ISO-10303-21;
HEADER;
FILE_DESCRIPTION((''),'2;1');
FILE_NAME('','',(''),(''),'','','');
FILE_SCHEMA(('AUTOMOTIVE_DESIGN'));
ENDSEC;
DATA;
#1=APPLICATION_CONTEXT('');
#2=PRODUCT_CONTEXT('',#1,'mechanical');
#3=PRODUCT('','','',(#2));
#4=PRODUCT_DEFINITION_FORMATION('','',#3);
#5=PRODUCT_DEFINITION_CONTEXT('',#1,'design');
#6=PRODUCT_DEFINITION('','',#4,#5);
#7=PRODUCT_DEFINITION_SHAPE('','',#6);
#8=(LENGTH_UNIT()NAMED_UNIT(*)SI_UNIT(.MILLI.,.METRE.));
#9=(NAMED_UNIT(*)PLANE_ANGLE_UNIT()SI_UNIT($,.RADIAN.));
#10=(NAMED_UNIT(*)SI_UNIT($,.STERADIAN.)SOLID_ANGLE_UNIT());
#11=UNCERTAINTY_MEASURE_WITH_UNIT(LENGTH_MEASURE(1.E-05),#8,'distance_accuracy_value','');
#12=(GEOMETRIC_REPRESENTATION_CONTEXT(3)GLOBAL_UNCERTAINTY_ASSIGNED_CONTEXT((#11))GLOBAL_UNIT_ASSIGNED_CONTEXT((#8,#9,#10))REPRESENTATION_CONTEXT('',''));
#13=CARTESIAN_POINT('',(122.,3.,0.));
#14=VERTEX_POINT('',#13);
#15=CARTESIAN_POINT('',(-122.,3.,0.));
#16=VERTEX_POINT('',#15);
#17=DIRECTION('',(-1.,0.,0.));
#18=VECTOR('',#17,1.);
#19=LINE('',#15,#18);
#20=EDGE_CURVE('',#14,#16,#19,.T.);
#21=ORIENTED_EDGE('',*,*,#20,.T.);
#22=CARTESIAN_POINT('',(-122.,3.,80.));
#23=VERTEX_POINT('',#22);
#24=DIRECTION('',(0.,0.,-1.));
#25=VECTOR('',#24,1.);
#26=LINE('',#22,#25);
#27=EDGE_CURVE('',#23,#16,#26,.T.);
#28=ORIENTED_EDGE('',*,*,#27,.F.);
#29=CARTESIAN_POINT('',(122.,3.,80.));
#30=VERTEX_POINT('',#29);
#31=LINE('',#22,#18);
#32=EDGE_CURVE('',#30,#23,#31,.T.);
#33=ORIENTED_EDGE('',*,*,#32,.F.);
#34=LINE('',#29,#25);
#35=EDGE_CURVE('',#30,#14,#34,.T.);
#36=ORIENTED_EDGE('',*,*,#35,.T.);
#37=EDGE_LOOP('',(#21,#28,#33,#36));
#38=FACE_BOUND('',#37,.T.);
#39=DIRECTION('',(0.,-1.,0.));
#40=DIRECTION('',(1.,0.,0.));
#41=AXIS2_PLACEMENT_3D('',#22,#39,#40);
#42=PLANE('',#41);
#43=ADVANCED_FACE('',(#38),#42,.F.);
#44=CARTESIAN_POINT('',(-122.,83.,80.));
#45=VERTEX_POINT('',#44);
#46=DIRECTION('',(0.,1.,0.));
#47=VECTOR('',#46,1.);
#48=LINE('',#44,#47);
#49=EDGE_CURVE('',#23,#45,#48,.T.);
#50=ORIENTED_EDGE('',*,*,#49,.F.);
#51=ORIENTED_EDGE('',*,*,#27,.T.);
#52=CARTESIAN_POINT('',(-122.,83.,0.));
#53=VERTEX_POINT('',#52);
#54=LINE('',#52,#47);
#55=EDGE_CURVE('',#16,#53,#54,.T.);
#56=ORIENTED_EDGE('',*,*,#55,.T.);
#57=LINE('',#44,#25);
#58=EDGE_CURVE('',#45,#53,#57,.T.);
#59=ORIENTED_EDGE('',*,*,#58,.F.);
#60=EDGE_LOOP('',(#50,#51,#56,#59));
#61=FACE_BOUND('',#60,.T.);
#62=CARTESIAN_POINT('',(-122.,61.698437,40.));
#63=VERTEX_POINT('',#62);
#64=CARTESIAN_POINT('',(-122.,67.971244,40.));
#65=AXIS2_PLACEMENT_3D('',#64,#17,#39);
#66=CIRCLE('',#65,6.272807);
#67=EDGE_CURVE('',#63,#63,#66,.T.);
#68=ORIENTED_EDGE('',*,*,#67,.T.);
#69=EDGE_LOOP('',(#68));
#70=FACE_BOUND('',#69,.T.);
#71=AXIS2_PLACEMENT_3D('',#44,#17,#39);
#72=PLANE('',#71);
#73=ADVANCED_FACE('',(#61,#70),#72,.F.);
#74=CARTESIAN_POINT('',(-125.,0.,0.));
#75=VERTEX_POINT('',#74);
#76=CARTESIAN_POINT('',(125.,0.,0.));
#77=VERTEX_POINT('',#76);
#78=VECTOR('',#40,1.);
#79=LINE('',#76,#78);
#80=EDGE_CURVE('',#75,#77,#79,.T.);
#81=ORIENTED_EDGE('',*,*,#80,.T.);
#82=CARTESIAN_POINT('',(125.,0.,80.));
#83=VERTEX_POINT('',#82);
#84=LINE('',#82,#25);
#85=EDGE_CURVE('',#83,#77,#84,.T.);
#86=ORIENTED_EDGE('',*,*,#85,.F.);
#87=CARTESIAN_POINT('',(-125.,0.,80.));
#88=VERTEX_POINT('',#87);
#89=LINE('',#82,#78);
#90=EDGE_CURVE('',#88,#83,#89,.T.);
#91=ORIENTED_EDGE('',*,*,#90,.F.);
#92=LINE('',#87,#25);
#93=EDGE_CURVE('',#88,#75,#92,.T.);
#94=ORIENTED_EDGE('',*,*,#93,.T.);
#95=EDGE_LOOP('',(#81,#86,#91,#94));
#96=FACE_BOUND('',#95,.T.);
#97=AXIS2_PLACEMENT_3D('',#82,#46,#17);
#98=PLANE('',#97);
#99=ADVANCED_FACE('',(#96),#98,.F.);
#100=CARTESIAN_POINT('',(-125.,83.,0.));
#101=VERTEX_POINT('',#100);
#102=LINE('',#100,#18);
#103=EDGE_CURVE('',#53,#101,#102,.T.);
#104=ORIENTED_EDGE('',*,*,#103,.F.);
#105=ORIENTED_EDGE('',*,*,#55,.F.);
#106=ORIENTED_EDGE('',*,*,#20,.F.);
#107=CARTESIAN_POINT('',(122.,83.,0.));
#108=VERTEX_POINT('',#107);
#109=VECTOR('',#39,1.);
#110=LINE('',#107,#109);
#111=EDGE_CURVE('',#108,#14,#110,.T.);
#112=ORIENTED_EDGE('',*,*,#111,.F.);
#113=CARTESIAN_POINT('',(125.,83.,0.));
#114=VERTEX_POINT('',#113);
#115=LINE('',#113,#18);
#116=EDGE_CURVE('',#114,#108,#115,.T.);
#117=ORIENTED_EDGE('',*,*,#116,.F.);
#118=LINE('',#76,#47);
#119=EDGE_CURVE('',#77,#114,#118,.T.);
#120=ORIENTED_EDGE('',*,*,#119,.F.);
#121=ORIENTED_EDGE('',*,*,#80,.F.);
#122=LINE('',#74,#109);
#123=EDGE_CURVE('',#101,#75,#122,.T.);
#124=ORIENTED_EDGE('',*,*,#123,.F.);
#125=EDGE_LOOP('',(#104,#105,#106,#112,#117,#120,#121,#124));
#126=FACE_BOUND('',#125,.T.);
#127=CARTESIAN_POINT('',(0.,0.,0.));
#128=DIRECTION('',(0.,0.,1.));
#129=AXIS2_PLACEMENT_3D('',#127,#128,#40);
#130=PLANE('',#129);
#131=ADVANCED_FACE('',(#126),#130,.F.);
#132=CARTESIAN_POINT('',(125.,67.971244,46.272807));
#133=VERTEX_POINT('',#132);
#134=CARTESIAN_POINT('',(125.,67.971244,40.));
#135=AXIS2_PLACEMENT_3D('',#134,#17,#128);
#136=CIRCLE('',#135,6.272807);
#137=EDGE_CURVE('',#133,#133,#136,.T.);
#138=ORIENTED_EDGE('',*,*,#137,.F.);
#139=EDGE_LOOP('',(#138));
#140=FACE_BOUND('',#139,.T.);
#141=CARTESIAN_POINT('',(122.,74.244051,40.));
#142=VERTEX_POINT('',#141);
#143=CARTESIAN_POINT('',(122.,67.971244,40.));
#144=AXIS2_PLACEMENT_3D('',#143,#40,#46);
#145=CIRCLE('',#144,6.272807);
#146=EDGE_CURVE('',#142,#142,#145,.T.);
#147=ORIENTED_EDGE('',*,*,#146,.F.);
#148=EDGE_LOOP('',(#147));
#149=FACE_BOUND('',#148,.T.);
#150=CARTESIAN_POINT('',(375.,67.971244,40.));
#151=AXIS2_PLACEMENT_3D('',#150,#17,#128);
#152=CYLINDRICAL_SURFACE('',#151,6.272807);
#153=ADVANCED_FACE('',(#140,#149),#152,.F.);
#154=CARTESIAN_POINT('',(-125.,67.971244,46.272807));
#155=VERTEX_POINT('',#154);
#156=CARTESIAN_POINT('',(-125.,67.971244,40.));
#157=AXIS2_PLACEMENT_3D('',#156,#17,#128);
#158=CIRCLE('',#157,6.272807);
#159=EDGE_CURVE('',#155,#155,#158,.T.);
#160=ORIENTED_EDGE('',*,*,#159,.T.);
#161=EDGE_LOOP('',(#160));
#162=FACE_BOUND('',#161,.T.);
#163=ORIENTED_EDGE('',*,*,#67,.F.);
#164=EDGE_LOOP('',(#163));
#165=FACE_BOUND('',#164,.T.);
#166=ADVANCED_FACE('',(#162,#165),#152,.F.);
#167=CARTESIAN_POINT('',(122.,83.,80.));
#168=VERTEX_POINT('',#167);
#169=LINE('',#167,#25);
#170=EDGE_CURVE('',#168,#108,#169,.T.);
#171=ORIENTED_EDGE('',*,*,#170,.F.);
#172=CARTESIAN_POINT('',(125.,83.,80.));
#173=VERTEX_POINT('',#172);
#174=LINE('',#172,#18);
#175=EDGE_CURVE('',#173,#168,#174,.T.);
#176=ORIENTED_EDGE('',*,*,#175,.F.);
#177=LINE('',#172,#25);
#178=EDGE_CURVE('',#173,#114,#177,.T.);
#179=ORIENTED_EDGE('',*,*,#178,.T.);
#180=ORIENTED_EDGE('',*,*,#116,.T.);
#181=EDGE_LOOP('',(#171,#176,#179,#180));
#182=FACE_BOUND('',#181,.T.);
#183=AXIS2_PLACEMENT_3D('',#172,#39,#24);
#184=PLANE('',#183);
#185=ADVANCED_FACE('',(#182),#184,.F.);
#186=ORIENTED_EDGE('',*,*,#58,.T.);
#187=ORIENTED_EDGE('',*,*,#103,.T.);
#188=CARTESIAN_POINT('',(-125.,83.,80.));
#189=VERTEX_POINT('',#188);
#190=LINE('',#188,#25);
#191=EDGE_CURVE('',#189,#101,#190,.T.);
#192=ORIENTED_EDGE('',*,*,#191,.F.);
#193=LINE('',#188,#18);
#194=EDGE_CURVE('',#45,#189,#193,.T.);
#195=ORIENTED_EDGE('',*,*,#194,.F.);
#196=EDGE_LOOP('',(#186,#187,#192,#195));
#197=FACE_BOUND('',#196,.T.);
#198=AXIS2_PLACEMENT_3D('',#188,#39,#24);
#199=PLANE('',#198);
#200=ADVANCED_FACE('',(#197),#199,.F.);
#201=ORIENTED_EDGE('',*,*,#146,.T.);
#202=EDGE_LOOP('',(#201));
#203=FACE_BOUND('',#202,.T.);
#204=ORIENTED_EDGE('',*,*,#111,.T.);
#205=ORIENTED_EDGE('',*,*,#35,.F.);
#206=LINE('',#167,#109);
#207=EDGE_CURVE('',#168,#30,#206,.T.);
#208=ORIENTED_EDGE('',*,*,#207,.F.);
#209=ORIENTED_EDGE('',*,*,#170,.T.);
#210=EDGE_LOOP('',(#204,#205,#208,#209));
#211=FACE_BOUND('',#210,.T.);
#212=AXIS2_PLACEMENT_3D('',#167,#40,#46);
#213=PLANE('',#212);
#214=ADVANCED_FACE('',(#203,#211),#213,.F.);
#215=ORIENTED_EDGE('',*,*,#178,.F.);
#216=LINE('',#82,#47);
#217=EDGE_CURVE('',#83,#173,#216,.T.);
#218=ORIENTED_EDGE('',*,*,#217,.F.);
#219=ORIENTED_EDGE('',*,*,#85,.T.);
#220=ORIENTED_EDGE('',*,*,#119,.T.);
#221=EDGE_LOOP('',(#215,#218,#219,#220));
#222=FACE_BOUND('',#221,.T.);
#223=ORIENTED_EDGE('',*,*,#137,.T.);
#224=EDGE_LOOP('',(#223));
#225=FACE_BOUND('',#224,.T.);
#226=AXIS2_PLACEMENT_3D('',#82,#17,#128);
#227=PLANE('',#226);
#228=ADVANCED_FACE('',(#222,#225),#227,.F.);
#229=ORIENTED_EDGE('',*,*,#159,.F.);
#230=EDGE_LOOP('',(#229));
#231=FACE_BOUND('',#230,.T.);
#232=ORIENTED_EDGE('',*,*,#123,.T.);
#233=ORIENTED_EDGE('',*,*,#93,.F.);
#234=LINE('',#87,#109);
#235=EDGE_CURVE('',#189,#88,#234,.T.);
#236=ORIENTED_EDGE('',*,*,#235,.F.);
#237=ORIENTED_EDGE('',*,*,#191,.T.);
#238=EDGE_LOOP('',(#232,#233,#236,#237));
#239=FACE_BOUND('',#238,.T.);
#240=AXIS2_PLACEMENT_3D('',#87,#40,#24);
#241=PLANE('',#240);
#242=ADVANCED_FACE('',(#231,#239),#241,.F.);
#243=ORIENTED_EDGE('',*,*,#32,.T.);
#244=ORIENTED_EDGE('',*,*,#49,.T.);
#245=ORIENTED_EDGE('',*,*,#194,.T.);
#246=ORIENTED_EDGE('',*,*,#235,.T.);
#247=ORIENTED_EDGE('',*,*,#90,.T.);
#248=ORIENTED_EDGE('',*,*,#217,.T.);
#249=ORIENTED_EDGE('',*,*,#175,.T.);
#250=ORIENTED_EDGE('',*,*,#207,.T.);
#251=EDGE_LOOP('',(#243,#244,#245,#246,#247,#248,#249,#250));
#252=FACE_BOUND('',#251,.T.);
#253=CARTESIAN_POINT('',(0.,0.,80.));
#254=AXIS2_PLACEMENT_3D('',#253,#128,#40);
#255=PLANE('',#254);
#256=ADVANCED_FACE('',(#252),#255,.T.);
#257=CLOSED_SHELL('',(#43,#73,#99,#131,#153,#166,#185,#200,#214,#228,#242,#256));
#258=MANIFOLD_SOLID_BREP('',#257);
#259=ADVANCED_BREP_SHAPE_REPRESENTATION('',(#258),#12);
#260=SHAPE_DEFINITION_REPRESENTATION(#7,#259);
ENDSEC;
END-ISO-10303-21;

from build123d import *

# Parameters (mm, degrees)
BOSS_EXTRUDE1_DEPTH = 80
SKETCH2_R           = 6.272806616
CUT_EXTRUDE1_DEPTH  = 500


with BuildPart() as part:
    # Sketch1 → Boss-Extrude1 (new body)
    with BuildSketch(Plane.XY):
        Polygon((125, 0), (-125, 0), (-125, 83), (-122, 83), (-122, 3), (122, 3), (122, 83), (125, 83), align=None)
    extrude(amount=BOSS_EXTRUDE1_DEPTH)

    # Sketch2 → Cut-Extrude1 (cut)
    with BuildSketch(Plane.ZY.offset(125)):
        with Locations((40, 67.971243919)):
            Circle(SKETCH2_R)
    extrude(amount=-CUT_EXTRUDE1_DEPTH, mode=Mode.SUBTRACT)


solid = part.part
